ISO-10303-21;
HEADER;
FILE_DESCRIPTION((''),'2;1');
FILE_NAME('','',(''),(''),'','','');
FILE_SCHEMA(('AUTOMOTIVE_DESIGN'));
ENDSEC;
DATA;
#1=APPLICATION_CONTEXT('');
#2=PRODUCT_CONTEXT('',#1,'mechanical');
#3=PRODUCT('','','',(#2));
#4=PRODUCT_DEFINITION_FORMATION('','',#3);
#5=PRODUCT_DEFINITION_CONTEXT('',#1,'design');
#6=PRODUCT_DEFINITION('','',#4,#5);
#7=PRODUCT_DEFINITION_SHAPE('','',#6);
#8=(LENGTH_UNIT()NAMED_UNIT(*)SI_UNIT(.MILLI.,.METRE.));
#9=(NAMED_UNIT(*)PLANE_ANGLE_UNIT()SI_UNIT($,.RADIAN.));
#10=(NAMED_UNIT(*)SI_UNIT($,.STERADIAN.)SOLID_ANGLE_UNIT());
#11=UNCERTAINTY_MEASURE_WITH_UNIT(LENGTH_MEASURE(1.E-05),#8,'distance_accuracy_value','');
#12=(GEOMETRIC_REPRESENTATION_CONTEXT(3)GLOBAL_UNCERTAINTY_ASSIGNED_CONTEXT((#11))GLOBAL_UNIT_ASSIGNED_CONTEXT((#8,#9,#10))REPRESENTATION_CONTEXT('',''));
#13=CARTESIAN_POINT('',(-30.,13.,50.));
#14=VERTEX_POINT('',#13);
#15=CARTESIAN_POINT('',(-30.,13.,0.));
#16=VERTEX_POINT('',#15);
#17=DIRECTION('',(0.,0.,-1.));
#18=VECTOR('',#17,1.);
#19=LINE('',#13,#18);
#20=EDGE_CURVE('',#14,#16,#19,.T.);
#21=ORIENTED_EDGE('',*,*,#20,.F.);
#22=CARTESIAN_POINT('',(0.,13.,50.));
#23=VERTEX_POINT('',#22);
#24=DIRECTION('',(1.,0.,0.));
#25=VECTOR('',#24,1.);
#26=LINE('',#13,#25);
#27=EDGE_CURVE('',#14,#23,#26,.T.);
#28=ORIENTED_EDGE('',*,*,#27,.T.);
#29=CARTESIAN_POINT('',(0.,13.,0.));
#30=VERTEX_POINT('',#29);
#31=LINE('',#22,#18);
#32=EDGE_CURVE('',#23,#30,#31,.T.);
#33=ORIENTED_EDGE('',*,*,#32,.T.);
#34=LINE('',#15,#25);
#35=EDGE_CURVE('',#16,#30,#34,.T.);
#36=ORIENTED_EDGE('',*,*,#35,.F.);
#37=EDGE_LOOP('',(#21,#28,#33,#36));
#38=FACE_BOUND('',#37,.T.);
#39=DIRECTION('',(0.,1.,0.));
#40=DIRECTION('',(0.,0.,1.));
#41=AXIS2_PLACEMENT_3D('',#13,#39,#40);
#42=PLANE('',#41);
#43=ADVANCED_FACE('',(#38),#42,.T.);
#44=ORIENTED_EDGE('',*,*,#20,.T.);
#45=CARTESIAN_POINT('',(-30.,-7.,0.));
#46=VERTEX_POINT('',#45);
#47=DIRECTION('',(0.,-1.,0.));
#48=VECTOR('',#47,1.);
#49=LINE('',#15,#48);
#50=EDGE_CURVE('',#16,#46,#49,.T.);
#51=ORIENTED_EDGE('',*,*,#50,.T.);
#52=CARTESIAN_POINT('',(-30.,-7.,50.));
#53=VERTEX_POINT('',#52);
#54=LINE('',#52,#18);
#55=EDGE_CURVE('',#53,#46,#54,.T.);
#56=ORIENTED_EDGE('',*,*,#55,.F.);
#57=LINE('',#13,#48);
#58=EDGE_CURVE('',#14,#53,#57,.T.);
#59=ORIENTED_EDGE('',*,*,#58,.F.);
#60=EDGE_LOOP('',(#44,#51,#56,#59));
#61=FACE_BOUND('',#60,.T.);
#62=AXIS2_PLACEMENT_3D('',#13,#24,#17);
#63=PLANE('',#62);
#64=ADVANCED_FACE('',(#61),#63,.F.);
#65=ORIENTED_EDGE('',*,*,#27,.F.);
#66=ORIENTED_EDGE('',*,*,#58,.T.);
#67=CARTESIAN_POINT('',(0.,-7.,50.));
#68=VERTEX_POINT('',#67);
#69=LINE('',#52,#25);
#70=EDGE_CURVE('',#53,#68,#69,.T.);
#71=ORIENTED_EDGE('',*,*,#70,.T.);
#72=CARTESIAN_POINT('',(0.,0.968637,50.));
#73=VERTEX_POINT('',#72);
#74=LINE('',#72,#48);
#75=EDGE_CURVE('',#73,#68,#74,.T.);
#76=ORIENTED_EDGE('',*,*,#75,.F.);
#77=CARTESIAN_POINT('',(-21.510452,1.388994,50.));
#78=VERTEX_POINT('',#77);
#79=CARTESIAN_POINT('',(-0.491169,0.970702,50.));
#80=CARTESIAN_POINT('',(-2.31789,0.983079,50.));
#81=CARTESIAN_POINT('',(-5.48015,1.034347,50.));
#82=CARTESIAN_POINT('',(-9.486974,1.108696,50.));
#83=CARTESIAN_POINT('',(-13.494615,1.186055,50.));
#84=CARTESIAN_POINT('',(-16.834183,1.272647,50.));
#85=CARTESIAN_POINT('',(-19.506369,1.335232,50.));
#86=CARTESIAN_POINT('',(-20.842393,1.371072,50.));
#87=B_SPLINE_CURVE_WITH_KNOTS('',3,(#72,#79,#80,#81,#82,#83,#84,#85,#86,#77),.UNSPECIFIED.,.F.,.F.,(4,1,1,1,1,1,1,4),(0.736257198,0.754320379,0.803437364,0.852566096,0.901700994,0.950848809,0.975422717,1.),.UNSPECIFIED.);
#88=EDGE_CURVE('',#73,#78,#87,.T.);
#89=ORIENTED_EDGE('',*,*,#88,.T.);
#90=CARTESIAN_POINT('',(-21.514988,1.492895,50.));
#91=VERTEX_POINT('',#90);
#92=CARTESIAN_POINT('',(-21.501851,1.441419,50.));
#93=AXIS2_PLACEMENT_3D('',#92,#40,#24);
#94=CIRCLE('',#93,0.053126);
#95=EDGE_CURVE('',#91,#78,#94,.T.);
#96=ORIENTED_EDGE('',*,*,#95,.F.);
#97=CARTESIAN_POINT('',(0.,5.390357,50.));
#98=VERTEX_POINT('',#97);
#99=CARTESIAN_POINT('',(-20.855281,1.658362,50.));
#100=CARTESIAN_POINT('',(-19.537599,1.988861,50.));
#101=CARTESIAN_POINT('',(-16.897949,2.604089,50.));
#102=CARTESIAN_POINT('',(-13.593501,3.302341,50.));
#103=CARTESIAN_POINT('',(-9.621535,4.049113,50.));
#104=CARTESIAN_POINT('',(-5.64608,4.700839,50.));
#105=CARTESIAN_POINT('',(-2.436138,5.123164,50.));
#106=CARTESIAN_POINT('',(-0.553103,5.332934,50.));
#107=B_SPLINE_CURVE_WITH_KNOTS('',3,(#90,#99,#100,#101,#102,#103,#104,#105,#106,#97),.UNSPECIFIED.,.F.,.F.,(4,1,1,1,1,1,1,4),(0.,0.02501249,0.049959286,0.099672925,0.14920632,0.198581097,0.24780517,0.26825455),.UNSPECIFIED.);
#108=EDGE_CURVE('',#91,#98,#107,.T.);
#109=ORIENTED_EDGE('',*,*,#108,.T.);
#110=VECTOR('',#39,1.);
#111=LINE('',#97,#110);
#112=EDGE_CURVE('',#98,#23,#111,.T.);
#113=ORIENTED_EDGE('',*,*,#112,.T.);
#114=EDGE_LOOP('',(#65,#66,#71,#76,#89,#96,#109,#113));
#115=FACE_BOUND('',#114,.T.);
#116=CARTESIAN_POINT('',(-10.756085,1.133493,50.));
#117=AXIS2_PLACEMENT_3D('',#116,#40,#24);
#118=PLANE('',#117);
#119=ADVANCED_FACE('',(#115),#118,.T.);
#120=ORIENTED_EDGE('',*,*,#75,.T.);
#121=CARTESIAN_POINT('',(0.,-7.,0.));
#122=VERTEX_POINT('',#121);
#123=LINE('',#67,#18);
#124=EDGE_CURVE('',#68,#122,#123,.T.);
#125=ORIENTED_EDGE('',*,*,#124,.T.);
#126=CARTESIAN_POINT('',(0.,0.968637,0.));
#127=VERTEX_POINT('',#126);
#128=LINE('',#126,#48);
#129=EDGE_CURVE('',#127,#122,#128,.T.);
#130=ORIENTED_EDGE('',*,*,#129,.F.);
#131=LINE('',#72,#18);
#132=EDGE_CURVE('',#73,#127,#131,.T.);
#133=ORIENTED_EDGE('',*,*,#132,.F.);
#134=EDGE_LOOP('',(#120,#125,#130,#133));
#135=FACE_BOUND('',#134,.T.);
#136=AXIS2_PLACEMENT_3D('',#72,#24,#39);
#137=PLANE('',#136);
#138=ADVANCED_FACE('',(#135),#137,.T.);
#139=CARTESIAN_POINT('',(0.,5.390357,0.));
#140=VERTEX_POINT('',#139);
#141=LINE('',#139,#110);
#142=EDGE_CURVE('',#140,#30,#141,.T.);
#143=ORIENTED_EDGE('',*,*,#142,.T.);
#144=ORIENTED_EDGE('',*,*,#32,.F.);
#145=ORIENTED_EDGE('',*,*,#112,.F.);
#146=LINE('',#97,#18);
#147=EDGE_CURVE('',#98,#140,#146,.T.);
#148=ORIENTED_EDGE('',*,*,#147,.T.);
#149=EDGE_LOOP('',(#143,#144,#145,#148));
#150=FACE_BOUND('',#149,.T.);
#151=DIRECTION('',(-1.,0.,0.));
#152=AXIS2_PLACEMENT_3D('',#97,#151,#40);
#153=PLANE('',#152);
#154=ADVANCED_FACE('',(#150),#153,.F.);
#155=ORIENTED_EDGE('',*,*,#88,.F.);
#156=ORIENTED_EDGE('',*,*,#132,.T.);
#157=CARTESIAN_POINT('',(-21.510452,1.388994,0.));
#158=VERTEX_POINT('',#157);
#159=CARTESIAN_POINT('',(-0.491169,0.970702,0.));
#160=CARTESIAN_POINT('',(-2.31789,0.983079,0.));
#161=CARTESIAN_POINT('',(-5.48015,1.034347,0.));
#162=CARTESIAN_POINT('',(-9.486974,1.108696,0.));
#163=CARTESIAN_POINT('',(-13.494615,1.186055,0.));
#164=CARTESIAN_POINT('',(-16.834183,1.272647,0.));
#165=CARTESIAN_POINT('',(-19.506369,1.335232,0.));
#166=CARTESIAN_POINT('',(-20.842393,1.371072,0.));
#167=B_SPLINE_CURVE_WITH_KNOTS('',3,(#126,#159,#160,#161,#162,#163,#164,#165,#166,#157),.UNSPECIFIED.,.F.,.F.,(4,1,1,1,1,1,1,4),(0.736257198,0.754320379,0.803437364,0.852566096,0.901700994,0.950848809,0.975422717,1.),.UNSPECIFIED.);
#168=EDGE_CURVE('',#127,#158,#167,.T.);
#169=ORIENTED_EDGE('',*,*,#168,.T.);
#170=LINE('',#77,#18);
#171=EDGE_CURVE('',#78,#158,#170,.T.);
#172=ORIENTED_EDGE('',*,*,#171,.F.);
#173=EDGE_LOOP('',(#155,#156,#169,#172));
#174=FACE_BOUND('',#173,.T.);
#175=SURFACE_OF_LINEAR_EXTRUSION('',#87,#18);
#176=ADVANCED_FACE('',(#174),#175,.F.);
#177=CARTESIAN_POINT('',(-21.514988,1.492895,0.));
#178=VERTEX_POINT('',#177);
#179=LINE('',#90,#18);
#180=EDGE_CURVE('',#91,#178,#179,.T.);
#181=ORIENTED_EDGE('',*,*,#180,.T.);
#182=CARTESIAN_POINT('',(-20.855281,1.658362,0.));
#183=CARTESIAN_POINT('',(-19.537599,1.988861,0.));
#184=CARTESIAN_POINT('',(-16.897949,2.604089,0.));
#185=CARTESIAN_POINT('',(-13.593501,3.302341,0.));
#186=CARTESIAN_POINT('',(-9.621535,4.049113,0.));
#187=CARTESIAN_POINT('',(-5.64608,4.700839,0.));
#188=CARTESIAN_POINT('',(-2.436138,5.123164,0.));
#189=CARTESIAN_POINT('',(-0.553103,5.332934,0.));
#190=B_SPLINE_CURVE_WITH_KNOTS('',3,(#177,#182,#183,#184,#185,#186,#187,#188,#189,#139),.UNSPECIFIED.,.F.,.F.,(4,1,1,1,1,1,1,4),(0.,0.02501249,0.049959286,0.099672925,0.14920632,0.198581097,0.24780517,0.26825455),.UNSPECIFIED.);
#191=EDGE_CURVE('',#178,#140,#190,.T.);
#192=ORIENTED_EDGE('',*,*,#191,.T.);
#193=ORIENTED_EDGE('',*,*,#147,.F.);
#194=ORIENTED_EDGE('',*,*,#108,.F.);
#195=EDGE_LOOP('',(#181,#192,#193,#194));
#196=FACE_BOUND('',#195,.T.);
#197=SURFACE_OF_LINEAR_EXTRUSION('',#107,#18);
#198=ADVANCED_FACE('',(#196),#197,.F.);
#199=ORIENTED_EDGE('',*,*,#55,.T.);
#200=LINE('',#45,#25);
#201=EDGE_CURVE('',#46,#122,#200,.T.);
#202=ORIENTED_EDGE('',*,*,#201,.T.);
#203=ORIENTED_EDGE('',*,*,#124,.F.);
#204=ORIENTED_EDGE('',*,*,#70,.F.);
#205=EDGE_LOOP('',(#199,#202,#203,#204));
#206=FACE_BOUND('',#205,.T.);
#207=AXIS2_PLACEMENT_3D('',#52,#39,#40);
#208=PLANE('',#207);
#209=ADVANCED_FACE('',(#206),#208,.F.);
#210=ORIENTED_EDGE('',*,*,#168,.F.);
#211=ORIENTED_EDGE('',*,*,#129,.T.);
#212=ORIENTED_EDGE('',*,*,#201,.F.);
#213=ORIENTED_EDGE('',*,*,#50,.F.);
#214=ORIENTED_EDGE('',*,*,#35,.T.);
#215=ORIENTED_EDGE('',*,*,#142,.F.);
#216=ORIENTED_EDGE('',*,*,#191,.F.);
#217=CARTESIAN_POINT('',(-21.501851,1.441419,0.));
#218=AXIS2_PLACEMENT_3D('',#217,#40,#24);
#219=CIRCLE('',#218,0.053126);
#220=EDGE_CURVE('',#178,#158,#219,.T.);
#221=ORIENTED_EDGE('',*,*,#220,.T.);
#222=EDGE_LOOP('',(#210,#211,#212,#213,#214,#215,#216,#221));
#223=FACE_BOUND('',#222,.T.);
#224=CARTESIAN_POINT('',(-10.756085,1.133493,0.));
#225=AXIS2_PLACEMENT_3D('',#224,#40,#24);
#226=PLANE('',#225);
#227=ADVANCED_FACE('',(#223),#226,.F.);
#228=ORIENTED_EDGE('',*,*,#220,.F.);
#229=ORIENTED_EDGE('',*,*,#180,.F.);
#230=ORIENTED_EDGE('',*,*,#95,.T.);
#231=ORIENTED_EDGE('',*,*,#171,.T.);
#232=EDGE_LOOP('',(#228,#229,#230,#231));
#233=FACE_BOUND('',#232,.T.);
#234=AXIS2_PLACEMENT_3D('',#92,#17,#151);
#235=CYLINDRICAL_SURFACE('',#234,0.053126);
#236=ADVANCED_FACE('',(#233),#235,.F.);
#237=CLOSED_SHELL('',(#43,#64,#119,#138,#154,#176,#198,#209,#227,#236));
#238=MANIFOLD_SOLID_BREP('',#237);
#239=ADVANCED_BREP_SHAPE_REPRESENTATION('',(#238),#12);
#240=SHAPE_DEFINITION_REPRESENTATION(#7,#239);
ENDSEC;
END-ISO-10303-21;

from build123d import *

# Parameters (mm, degrees)
BOSS_EXTRUDE1_DEPTH = 50


with BuildPart() as part:
    # Sketch2 → Boss-Extrude1 (new body)
    with BuildSketch(Plane(origin=(17.440169359, 0, 0), x_dir=(1, 0, 0), z_dir=(0, 0, 1))):
        with BuildLine():
            Line((-17.440169359, 5.390357249), (-17.440169359, 13))
            Line((-17.440169359, 13), (-47.440169359, 13))
            Line((-47.440169359, 13), (-47.440169359, -7))
            Line((-47.440169359, -7), (-17.440169359, -7))
            Line((-17.440169359, -7), (-17.440169359, 0.968636761))
            add(Edge.make_bspline(
                [(-17.440169359, 0.968636761), (-17.931338117, 0.970701913), (-19.758058993, 0.983079263), (-22.920319296, 1.034346952), (-26.927143731, 1.108696119), (-30.934784115, 1.186054987), (-34.274352572, 1.272646837), (-36.946538119, 1.3352315), (-38.282562813, 1.371072371), (-38.950621034, 1.388994037)],
                knots=[0.736257198, 0.736257198, 0.736257198, 0.736257198, 0.754320379, 0.803437364, 0.852566096, 0.901700994, 0.950848809, 0.975422717, 1, 1, 1, 1], degree=3))
            ThreePointArc((-38.950621034, 1.388994037), (-38.995095838, 1.439101765), (-38.955157451, 1.492895053))
            add(Edge.make_bspline(
                [(-38.955157451, 1.492895053), (-38.295450211, 1.65836191), (-36.977768402, 1.98886104), (-34.338118745, 2.604088974), (-31.033670068, 3.302340733), (-27.061704408, 4.049112578), (-23.086249568, 4.700839132), (-19.876307317, 5.123163604), (-17.993272478, 5.332934001), (-17.440169359, 5.390357249)],
                knots=[0, 0, 0, 0, 0.02501249, 0.049959286, 0.099672925, 0.14920632, 0.198581097, 0.24780517, 0.26825455, 0.26825455, 0.26825455, 0.26825455], degree=3))
        make_face()
    extrude(amount=BOSS_EXTRUDE1_DEPTH)


solid = part.part
